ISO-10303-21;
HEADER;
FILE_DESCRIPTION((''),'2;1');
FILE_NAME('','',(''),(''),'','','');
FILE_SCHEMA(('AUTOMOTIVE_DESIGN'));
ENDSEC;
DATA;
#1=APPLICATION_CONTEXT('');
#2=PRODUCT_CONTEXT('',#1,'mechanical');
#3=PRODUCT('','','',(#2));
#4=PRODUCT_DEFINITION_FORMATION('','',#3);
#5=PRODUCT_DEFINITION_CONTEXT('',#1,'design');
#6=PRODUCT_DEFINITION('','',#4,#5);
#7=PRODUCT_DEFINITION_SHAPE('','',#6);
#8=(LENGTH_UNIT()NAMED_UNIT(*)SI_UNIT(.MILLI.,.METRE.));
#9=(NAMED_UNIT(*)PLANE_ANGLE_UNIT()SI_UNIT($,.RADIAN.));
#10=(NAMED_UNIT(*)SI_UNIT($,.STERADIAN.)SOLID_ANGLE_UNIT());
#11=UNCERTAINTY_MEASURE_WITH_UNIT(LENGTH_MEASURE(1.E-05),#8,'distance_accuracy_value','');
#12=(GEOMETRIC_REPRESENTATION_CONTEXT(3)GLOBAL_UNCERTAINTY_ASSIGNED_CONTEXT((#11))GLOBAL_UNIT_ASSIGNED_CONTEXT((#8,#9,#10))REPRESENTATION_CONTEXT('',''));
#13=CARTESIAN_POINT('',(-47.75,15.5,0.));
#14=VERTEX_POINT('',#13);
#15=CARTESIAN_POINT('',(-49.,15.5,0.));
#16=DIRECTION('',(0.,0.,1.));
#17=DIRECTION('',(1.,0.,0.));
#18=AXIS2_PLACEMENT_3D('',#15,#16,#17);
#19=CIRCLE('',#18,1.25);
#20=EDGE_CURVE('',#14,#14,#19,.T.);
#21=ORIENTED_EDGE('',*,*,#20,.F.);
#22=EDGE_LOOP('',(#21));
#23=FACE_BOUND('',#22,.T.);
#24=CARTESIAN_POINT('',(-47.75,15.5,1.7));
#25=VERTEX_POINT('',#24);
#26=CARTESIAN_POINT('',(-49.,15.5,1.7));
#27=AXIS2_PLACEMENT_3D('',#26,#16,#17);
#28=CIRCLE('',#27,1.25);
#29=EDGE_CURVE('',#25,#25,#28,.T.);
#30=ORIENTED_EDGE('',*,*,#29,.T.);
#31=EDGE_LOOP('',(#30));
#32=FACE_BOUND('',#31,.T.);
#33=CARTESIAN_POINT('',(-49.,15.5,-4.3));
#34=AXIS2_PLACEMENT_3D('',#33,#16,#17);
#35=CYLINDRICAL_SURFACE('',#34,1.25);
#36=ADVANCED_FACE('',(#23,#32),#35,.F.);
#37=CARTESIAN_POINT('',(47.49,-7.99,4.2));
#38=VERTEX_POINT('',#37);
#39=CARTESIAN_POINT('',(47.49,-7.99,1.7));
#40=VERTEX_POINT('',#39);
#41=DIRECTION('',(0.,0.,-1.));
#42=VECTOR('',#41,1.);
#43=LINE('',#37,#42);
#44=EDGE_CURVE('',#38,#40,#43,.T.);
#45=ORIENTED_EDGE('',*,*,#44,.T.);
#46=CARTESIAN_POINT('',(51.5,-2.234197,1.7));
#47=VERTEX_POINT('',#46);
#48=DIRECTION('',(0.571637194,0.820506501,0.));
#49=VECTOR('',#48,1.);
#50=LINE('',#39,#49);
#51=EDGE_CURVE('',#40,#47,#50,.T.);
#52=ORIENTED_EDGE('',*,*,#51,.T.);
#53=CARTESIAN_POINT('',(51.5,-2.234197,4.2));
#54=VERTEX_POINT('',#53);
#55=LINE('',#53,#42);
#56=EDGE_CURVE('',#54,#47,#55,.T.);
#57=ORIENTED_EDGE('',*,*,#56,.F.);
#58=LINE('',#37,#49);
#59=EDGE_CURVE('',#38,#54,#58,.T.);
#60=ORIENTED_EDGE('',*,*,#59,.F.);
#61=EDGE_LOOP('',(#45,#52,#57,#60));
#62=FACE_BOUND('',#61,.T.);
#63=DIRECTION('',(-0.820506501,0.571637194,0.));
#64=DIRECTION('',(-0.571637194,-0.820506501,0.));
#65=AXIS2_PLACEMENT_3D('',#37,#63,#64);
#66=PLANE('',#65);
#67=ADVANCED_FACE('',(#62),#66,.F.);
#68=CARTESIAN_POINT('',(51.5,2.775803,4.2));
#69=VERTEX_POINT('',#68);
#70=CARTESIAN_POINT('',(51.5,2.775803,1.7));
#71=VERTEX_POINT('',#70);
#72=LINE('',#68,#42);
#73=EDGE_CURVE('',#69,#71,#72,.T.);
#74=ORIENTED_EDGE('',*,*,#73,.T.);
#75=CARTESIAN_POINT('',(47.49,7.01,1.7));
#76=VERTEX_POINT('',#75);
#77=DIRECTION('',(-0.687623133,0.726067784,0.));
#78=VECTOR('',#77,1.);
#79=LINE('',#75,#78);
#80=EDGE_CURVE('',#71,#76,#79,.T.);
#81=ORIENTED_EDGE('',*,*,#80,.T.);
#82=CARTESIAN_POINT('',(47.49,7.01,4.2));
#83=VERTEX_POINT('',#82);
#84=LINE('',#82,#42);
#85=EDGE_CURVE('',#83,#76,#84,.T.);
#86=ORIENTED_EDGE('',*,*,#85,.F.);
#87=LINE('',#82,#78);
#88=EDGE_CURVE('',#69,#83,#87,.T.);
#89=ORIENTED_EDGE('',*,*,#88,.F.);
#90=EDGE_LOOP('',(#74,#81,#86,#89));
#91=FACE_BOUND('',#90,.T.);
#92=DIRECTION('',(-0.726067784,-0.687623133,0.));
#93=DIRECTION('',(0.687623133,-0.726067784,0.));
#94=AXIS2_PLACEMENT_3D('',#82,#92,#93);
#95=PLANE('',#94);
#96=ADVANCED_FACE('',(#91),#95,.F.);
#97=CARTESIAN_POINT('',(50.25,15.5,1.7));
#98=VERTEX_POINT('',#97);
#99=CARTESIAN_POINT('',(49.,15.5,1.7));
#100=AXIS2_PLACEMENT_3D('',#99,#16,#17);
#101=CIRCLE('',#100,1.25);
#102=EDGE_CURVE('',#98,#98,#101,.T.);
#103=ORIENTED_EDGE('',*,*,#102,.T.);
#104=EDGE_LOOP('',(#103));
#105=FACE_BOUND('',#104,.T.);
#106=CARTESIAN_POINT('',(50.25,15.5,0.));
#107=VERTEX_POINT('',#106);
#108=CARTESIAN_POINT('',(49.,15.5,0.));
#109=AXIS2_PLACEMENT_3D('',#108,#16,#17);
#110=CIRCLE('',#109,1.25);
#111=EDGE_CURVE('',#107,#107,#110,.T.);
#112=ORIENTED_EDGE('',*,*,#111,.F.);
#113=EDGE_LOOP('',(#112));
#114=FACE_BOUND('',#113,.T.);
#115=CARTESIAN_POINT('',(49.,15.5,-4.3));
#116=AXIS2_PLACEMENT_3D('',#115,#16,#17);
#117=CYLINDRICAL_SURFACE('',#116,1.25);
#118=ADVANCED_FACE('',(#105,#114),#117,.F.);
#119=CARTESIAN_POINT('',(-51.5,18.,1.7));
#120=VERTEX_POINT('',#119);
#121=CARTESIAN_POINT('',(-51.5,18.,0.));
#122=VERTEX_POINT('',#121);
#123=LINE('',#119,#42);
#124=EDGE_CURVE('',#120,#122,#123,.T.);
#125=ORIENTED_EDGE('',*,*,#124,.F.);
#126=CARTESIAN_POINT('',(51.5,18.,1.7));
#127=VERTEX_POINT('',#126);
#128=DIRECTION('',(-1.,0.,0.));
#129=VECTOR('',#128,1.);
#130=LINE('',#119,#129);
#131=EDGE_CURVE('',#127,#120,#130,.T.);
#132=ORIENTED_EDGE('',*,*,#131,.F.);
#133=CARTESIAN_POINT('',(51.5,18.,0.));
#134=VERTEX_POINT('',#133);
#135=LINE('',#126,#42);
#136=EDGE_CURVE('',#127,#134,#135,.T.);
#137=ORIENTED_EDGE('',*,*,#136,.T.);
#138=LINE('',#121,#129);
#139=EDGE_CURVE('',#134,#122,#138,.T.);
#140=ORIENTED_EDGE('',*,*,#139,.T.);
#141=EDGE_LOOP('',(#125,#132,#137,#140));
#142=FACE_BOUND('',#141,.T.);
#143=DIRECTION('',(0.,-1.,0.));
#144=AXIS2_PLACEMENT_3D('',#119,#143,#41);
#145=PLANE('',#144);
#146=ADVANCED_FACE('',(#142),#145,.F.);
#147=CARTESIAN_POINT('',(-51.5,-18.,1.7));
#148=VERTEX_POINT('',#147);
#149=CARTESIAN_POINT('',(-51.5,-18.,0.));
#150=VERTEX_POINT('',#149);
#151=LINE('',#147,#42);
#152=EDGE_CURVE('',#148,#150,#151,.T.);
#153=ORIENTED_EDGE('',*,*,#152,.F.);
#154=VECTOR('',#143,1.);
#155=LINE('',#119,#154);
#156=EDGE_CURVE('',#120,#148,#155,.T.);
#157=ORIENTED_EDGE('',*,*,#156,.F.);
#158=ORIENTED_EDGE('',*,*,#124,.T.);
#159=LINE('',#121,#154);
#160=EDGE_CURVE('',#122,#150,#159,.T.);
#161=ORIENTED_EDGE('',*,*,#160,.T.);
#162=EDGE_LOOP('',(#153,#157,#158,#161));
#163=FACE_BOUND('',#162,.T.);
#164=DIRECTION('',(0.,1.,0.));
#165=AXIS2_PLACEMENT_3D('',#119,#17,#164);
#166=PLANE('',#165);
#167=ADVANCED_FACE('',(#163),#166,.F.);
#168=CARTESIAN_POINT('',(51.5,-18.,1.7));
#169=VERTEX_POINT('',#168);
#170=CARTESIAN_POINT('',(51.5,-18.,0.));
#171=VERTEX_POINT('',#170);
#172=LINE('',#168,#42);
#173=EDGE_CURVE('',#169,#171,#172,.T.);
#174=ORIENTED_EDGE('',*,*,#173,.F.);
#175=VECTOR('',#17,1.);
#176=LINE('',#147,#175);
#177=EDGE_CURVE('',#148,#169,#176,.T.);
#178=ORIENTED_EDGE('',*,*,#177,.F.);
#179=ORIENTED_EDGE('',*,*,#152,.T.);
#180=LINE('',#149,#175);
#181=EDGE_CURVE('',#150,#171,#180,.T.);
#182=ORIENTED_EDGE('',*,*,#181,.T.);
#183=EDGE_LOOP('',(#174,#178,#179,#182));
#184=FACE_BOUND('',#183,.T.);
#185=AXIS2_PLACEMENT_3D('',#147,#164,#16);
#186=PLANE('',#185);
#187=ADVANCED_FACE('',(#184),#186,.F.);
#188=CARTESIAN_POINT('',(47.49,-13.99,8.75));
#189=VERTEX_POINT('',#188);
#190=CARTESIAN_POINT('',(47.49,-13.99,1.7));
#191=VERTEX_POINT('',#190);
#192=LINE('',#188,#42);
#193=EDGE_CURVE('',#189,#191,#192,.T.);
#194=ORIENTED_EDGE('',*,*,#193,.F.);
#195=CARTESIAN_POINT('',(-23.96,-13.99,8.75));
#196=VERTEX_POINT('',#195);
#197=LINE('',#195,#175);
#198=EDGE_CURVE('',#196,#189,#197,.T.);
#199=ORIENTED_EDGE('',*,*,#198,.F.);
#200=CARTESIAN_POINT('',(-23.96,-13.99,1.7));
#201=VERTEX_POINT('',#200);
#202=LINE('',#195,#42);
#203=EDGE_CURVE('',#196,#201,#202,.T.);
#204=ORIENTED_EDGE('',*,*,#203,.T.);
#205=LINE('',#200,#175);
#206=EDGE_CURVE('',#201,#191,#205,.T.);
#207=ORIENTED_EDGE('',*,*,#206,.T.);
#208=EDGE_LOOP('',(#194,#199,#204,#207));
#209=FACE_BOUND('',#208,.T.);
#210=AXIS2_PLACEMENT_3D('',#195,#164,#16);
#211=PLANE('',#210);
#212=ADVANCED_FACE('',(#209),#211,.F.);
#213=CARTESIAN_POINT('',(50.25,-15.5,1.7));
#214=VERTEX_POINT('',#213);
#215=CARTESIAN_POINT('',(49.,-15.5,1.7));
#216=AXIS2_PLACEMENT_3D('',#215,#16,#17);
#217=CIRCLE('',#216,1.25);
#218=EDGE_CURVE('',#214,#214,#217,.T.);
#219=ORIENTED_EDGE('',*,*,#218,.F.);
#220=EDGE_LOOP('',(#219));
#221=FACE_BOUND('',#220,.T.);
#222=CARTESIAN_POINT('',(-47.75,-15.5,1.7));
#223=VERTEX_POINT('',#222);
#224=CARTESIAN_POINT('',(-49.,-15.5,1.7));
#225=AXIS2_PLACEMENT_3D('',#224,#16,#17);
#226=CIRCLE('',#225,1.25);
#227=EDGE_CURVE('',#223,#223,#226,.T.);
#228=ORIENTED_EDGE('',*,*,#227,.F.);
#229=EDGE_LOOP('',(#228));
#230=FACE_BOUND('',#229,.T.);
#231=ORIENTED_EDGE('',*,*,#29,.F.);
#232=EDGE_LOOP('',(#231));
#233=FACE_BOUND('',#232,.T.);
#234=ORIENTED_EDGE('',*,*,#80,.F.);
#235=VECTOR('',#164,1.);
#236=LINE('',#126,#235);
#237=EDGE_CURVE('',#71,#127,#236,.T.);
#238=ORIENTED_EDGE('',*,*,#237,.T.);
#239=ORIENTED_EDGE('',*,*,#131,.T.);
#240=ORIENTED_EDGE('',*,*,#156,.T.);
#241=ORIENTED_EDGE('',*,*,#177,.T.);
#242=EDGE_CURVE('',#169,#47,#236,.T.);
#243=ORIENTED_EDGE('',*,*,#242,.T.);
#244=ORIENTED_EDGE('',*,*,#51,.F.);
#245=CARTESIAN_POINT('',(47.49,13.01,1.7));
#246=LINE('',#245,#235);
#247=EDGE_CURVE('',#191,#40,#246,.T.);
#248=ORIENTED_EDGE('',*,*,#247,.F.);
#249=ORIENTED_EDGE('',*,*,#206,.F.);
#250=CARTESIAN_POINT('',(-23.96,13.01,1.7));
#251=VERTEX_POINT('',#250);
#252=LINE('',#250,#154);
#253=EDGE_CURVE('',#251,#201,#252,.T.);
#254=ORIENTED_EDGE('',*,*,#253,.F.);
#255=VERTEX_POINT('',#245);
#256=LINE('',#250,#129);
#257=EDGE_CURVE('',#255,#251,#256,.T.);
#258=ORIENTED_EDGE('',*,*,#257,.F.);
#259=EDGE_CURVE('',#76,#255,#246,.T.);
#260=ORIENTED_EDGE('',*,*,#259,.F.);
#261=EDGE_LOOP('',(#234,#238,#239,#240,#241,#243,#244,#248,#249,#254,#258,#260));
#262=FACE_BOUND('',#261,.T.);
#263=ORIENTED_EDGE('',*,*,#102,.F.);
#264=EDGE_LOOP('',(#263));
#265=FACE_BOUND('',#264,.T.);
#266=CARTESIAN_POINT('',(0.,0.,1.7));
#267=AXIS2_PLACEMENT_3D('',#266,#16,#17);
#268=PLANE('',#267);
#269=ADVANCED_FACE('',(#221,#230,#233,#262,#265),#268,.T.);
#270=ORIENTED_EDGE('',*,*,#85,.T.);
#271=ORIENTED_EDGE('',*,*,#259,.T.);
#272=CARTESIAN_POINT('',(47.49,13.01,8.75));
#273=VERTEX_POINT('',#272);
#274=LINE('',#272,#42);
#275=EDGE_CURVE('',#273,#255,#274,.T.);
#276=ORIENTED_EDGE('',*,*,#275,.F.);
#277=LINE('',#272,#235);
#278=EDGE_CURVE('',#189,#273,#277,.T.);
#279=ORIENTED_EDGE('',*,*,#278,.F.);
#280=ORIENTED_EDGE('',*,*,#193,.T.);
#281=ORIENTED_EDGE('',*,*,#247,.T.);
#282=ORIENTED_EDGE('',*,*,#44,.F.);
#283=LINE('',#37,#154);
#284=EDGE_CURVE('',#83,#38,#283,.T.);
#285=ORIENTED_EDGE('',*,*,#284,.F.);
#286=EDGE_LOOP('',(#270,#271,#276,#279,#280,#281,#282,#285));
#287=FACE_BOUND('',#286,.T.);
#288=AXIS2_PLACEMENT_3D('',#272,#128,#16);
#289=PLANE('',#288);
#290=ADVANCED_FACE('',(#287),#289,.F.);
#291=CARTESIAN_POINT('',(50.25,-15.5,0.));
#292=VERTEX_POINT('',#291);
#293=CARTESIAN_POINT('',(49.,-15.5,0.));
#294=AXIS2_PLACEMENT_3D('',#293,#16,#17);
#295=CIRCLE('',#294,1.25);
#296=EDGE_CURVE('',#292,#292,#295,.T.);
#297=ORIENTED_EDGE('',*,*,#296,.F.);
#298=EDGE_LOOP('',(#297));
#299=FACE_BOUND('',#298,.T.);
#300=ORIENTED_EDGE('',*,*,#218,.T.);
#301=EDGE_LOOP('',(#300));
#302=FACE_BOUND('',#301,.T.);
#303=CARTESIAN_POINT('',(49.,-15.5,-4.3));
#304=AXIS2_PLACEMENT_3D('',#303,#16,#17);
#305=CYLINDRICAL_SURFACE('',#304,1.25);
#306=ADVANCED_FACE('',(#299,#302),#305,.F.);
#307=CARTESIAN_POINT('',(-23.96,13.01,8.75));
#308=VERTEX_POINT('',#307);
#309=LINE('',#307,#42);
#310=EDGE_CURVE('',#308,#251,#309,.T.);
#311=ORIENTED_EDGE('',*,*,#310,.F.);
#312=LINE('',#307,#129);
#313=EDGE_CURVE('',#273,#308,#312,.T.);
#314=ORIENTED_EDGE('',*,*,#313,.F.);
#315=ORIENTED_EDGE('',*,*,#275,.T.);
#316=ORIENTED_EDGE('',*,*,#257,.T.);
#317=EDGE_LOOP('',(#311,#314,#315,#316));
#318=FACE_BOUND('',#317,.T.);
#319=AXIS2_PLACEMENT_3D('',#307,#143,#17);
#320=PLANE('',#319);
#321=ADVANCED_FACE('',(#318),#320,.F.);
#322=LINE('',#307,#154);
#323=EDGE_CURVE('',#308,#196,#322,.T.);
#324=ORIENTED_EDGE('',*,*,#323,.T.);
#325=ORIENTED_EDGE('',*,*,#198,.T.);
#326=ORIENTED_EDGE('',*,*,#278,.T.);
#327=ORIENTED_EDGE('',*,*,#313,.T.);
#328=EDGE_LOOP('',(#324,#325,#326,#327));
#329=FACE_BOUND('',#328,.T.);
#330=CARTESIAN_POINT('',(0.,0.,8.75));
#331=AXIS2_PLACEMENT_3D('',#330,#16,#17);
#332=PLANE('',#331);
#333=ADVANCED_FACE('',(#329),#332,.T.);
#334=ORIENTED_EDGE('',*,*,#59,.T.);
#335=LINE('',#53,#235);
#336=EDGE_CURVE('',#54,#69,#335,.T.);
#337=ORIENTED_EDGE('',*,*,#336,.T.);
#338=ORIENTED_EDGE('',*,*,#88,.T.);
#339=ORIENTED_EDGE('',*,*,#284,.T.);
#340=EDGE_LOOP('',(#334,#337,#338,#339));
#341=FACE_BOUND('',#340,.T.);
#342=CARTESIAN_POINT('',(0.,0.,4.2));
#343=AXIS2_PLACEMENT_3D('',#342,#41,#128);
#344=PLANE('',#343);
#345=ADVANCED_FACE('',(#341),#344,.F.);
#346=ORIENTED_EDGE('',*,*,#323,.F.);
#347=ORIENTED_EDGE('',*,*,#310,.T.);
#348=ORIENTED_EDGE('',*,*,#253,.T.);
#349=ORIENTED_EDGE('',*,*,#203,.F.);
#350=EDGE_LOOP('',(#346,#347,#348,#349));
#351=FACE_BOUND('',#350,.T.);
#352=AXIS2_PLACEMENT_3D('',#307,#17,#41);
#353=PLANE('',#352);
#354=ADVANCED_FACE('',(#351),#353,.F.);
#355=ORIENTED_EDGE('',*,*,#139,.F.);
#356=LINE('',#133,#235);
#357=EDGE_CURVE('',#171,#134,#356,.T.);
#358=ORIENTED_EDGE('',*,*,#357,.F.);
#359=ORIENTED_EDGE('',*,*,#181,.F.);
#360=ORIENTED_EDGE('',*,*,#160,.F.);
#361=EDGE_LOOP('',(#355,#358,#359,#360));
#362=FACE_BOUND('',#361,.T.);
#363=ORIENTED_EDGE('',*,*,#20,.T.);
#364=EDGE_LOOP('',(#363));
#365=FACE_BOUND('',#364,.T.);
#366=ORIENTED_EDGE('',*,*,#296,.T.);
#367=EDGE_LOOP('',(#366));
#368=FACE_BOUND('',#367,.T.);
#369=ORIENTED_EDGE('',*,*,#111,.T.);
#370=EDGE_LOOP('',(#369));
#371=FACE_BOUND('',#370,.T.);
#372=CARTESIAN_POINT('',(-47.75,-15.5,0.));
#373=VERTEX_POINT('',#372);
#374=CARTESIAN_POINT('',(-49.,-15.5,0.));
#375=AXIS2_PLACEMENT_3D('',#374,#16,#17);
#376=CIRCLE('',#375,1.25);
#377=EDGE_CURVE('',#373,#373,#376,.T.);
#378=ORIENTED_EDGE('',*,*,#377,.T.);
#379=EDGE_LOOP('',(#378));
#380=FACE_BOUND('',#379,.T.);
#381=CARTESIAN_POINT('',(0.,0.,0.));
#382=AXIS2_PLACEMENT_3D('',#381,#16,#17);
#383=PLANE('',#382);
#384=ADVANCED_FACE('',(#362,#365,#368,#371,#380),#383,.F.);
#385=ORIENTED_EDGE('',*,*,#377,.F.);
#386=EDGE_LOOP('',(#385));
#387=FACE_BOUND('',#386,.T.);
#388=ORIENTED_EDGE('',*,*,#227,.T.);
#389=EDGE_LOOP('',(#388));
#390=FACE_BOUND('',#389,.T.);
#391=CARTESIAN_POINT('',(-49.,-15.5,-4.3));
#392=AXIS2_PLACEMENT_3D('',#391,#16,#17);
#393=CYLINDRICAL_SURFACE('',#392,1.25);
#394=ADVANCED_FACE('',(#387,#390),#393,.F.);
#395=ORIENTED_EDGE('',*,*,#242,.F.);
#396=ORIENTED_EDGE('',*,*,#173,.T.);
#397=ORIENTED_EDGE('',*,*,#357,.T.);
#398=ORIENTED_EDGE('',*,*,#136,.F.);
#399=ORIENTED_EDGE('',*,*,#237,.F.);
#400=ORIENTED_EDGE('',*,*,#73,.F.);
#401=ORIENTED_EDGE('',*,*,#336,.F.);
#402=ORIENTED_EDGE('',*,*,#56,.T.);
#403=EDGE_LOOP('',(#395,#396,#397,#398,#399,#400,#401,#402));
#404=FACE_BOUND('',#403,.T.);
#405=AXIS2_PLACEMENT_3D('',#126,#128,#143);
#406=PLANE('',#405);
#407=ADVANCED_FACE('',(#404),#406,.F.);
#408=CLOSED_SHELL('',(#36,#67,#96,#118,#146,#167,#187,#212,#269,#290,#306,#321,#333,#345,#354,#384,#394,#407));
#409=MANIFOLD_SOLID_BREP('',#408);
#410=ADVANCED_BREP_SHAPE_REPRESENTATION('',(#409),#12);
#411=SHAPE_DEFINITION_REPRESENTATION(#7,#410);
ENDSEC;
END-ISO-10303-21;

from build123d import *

# Parameters (mm, degrees)
CROQUIS1_W              = 103
CROQUIS1_H              = 36
SALIENTE_EXTRUIR1_DEPTH = 1.7
CROQUIS2_W              = 71.45
CROQUIS2_H              = 27
SALIENTE_EXTRUIR2_DEPTH = 7.05
CROQUIS3_R              = 1.25
CORTAR_EXTRUIR1_DEPTH   = 6
SALIENTE_EXTRUIR3_DEPTH = 2.5


with BuildPart() as part:
    # Croquis1 → Saliente-Extruir1 (new body)
    with BuildSketch(Plane.XY):
        Rectangle(CROQUIS1_W, CROQUIS1_H)
    extrude(amount=SALIENTE_EXTRUIR1_DEPTH)

    # Croquis2 → Saliente-Extruir2 (add)
    with BuildSketch(Plane.XY.offset(1.7)):
        with Locations((11.765, -0.49)):
            Rectangle(CROQUIS2_W, CROQUIS2_H)
    extrude(amount=SALIENTE_EXTRUIR2_DEPTH)

    # Croquis3 → Cortar-Extruir1 (cut)
    with BuildSketch(Plane.XY.offset(1.7)):
        with Locations((-49, 15.5)):
            Circle(CROQUIS3_R)
        with Locations((-49, -15.5)):
            Circle(CROQUIS3_R)
        with Locations((49, 15.5)):
            Circle(CROQUIS3_R)
        with Locations((49, -15.5)):
            Circle(CROQUIS3_R)
    extrude(amount=-CORTAR_EXTRUIR1_DEPTH, mode=Mode.SUBTRACT)

    # Croquis4 → Saliente-Extruir3 (add)
    with BuildSketch(Plane.XY.offset(1.7)):
        Polygon((47.49, 7.01), (51.5, 2.775802991), (51.5, -2.234197009), (47.49, -7.99), align=None)
    extrude(amount=SALIENTE_EXTRUIR3_DEPTH)


solid = part.part
